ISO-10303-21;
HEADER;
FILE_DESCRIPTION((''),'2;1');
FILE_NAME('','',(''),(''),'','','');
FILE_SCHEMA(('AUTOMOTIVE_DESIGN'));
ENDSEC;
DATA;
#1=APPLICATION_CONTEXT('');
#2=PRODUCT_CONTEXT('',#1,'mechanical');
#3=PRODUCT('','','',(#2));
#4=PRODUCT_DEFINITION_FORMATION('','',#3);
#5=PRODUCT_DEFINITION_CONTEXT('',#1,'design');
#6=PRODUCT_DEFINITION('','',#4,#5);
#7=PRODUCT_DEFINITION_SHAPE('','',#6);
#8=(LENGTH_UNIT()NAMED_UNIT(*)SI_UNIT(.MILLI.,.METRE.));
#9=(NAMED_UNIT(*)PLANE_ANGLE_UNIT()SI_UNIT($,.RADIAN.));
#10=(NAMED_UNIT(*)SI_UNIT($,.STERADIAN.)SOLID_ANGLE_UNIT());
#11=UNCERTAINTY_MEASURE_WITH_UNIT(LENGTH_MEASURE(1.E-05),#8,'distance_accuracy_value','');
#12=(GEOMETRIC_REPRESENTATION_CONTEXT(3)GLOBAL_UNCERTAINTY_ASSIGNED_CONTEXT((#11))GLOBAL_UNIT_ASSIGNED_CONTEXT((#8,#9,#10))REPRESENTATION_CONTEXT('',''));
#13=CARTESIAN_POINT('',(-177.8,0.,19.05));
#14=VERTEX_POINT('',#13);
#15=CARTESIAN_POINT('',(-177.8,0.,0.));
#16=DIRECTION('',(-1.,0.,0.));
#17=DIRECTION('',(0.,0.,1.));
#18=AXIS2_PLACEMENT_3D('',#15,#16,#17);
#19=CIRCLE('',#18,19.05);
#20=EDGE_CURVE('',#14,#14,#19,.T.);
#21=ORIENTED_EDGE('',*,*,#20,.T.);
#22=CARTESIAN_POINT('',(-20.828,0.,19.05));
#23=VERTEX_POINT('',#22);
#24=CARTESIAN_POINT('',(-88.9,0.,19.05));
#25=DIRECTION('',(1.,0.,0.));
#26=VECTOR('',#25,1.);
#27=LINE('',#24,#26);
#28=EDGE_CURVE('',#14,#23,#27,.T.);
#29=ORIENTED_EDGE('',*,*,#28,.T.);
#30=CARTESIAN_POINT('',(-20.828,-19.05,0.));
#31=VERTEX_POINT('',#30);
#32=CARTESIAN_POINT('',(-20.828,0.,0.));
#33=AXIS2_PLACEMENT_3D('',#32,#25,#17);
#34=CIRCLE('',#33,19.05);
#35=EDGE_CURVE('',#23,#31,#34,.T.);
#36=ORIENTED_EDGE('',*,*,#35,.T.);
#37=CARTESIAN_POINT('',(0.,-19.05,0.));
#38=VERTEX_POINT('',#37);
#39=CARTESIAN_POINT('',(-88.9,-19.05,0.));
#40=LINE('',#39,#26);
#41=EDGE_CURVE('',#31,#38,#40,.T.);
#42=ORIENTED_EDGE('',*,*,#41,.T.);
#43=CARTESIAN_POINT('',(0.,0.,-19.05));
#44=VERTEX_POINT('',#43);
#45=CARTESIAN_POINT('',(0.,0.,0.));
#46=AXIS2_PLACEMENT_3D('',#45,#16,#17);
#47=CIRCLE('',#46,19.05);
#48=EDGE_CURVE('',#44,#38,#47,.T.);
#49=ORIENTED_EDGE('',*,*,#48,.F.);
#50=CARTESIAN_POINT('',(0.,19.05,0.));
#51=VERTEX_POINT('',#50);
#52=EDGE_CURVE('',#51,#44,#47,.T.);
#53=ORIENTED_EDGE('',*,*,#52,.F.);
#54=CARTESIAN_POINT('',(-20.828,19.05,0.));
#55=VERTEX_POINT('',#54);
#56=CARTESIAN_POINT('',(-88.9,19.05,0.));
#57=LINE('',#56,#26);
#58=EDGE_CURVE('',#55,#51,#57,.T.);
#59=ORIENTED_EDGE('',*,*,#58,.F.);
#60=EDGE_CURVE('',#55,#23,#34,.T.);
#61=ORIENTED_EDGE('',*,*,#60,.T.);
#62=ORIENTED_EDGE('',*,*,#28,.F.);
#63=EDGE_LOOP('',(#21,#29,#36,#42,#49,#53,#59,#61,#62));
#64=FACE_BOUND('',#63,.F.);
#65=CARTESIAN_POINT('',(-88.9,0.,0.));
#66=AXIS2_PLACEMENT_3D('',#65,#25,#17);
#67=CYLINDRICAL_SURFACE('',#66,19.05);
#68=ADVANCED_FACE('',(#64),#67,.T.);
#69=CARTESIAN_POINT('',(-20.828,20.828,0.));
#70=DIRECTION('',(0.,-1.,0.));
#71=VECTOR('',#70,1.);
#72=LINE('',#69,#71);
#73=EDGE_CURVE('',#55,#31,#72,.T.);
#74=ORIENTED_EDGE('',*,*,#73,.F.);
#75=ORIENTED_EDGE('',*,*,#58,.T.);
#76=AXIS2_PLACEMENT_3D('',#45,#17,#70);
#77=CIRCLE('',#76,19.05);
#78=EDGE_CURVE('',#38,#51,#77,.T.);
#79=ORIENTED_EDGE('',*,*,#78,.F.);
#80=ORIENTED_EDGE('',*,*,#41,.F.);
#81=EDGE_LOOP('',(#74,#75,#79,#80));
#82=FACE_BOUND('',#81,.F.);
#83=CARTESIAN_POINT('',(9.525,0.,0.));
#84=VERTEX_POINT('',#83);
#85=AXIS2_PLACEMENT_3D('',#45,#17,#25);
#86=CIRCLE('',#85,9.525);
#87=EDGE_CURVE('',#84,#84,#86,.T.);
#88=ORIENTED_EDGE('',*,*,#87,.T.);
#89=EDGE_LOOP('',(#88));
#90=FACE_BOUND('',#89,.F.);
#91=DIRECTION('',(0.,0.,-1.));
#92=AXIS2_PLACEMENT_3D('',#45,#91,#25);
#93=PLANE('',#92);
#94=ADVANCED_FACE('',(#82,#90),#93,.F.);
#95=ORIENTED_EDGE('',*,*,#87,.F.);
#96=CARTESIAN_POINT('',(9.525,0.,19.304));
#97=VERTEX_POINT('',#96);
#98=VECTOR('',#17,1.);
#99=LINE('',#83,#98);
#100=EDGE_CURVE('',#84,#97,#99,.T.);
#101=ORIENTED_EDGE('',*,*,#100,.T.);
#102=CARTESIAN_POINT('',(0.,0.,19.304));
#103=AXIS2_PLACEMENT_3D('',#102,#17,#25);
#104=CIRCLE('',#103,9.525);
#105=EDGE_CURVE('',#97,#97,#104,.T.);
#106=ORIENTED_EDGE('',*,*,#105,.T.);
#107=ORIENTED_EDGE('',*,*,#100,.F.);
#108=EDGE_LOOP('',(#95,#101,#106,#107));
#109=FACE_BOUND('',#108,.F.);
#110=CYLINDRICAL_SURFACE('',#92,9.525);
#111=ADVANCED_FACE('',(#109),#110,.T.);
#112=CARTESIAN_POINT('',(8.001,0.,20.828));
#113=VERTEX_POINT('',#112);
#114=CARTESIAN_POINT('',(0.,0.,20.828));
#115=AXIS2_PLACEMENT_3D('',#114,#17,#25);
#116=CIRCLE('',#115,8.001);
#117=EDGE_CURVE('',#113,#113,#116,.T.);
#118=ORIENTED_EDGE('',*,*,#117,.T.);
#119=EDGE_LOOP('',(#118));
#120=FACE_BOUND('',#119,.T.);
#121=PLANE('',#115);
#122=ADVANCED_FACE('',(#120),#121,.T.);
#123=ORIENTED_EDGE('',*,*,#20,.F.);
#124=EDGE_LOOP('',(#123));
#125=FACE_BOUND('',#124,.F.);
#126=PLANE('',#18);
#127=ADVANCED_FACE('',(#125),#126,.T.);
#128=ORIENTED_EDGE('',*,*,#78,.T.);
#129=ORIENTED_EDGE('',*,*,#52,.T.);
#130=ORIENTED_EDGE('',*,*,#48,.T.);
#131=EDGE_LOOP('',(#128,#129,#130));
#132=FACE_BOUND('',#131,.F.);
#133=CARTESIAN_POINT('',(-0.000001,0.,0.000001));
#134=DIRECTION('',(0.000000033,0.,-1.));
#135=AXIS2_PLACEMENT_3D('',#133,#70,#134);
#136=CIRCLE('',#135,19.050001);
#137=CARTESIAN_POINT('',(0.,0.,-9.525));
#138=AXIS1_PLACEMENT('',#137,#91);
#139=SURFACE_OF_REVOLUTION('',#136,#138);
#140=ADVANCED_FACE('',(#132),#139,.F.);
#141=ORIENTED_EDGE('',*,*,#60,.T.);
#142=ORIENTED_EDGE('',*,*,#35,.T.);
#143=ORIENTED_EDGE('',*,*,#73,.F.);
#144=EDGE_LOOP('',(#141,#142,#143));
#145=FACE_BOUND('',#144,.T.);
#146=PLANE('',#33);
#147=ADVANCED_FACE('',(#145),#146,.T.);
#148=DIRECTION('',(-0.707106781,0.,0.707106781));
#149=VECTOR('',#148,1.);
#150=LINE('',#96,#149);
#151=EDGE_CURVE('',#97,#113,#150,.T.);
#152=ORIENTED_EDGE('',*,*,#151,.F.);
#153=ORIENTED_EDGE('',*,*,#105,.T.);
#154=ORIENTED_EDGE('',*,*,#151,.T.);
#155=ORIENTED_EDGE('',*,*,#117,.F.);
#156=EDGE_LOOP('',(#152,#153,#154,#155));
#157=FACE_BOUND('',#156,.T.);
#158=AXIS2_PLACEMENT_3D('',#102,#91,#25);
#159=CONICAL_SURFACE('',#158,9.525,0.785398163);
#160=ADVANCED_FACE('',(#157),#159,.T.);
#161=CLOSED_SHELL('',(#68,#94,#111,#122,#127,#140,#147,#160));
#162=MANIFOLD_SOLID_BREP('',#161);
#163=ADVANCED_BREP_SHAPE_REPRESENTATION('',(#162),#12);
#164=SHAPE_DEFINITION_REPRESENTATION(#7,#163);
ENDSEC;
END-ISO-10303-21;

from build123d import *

# Parameters (mm, degrees)
F0_W     = 177.8
F0_H     = 19.05
F2_W     = 20.828
F2_H     = 20.828
F3_DEPTH = 20.828
F6_R     = 9.525
F7_DEPTH = 20.828
F8_SIZE  = 1.524


with BuildPart() as f1:
    # F0 (on Front) → F1 (revolve)
    with BuildSketch(Plane.XZ):
        with Locations((-88.9, 9.525)):
            Rectangle(F0_W, F0_H)
    revolve(axis=Axis((-88.9, 0, 0), (-1, 0, 0)))

    # F2 (on Front) → F3 (cut, symmetric)
    with BuildSketch(Plane.XZ):
        with Locations((-10.414, 10.414)):
            Rectangle(F2_W, F2_H)
    extrude(amount=F3_DEPTH, both=True, mode=Mode.SUBTRACT)

    # F4 (on Front) → F5 (revolve)
    with BuildSketch(Plane.XZ):
        with BuildLine():
            Line((19.05, 0), (0, 0))
            Line((0, 0), (0, -19.05))
            ThreePointArc((0, -19.05), (13.470384, -13.470384), (19.05, 0))
        make_face()
    revolve(axis=Axis((0, 0, -9.525), (0, 0, -1)))

    # F6 (on face) → F7 (join)
    with BuildSketch(Plane.XY):
        Circle(F6_R)
    extrude(amount=F7_DEPTH)

    # F8
    f8_edges = [f1.edges().sort_by_distance(p)[0] for p in [
        (-9.525, 0, 20.828),
    ]]
    chamfer(f8_edges, length=F8_SIZE)


solid = f1.part
